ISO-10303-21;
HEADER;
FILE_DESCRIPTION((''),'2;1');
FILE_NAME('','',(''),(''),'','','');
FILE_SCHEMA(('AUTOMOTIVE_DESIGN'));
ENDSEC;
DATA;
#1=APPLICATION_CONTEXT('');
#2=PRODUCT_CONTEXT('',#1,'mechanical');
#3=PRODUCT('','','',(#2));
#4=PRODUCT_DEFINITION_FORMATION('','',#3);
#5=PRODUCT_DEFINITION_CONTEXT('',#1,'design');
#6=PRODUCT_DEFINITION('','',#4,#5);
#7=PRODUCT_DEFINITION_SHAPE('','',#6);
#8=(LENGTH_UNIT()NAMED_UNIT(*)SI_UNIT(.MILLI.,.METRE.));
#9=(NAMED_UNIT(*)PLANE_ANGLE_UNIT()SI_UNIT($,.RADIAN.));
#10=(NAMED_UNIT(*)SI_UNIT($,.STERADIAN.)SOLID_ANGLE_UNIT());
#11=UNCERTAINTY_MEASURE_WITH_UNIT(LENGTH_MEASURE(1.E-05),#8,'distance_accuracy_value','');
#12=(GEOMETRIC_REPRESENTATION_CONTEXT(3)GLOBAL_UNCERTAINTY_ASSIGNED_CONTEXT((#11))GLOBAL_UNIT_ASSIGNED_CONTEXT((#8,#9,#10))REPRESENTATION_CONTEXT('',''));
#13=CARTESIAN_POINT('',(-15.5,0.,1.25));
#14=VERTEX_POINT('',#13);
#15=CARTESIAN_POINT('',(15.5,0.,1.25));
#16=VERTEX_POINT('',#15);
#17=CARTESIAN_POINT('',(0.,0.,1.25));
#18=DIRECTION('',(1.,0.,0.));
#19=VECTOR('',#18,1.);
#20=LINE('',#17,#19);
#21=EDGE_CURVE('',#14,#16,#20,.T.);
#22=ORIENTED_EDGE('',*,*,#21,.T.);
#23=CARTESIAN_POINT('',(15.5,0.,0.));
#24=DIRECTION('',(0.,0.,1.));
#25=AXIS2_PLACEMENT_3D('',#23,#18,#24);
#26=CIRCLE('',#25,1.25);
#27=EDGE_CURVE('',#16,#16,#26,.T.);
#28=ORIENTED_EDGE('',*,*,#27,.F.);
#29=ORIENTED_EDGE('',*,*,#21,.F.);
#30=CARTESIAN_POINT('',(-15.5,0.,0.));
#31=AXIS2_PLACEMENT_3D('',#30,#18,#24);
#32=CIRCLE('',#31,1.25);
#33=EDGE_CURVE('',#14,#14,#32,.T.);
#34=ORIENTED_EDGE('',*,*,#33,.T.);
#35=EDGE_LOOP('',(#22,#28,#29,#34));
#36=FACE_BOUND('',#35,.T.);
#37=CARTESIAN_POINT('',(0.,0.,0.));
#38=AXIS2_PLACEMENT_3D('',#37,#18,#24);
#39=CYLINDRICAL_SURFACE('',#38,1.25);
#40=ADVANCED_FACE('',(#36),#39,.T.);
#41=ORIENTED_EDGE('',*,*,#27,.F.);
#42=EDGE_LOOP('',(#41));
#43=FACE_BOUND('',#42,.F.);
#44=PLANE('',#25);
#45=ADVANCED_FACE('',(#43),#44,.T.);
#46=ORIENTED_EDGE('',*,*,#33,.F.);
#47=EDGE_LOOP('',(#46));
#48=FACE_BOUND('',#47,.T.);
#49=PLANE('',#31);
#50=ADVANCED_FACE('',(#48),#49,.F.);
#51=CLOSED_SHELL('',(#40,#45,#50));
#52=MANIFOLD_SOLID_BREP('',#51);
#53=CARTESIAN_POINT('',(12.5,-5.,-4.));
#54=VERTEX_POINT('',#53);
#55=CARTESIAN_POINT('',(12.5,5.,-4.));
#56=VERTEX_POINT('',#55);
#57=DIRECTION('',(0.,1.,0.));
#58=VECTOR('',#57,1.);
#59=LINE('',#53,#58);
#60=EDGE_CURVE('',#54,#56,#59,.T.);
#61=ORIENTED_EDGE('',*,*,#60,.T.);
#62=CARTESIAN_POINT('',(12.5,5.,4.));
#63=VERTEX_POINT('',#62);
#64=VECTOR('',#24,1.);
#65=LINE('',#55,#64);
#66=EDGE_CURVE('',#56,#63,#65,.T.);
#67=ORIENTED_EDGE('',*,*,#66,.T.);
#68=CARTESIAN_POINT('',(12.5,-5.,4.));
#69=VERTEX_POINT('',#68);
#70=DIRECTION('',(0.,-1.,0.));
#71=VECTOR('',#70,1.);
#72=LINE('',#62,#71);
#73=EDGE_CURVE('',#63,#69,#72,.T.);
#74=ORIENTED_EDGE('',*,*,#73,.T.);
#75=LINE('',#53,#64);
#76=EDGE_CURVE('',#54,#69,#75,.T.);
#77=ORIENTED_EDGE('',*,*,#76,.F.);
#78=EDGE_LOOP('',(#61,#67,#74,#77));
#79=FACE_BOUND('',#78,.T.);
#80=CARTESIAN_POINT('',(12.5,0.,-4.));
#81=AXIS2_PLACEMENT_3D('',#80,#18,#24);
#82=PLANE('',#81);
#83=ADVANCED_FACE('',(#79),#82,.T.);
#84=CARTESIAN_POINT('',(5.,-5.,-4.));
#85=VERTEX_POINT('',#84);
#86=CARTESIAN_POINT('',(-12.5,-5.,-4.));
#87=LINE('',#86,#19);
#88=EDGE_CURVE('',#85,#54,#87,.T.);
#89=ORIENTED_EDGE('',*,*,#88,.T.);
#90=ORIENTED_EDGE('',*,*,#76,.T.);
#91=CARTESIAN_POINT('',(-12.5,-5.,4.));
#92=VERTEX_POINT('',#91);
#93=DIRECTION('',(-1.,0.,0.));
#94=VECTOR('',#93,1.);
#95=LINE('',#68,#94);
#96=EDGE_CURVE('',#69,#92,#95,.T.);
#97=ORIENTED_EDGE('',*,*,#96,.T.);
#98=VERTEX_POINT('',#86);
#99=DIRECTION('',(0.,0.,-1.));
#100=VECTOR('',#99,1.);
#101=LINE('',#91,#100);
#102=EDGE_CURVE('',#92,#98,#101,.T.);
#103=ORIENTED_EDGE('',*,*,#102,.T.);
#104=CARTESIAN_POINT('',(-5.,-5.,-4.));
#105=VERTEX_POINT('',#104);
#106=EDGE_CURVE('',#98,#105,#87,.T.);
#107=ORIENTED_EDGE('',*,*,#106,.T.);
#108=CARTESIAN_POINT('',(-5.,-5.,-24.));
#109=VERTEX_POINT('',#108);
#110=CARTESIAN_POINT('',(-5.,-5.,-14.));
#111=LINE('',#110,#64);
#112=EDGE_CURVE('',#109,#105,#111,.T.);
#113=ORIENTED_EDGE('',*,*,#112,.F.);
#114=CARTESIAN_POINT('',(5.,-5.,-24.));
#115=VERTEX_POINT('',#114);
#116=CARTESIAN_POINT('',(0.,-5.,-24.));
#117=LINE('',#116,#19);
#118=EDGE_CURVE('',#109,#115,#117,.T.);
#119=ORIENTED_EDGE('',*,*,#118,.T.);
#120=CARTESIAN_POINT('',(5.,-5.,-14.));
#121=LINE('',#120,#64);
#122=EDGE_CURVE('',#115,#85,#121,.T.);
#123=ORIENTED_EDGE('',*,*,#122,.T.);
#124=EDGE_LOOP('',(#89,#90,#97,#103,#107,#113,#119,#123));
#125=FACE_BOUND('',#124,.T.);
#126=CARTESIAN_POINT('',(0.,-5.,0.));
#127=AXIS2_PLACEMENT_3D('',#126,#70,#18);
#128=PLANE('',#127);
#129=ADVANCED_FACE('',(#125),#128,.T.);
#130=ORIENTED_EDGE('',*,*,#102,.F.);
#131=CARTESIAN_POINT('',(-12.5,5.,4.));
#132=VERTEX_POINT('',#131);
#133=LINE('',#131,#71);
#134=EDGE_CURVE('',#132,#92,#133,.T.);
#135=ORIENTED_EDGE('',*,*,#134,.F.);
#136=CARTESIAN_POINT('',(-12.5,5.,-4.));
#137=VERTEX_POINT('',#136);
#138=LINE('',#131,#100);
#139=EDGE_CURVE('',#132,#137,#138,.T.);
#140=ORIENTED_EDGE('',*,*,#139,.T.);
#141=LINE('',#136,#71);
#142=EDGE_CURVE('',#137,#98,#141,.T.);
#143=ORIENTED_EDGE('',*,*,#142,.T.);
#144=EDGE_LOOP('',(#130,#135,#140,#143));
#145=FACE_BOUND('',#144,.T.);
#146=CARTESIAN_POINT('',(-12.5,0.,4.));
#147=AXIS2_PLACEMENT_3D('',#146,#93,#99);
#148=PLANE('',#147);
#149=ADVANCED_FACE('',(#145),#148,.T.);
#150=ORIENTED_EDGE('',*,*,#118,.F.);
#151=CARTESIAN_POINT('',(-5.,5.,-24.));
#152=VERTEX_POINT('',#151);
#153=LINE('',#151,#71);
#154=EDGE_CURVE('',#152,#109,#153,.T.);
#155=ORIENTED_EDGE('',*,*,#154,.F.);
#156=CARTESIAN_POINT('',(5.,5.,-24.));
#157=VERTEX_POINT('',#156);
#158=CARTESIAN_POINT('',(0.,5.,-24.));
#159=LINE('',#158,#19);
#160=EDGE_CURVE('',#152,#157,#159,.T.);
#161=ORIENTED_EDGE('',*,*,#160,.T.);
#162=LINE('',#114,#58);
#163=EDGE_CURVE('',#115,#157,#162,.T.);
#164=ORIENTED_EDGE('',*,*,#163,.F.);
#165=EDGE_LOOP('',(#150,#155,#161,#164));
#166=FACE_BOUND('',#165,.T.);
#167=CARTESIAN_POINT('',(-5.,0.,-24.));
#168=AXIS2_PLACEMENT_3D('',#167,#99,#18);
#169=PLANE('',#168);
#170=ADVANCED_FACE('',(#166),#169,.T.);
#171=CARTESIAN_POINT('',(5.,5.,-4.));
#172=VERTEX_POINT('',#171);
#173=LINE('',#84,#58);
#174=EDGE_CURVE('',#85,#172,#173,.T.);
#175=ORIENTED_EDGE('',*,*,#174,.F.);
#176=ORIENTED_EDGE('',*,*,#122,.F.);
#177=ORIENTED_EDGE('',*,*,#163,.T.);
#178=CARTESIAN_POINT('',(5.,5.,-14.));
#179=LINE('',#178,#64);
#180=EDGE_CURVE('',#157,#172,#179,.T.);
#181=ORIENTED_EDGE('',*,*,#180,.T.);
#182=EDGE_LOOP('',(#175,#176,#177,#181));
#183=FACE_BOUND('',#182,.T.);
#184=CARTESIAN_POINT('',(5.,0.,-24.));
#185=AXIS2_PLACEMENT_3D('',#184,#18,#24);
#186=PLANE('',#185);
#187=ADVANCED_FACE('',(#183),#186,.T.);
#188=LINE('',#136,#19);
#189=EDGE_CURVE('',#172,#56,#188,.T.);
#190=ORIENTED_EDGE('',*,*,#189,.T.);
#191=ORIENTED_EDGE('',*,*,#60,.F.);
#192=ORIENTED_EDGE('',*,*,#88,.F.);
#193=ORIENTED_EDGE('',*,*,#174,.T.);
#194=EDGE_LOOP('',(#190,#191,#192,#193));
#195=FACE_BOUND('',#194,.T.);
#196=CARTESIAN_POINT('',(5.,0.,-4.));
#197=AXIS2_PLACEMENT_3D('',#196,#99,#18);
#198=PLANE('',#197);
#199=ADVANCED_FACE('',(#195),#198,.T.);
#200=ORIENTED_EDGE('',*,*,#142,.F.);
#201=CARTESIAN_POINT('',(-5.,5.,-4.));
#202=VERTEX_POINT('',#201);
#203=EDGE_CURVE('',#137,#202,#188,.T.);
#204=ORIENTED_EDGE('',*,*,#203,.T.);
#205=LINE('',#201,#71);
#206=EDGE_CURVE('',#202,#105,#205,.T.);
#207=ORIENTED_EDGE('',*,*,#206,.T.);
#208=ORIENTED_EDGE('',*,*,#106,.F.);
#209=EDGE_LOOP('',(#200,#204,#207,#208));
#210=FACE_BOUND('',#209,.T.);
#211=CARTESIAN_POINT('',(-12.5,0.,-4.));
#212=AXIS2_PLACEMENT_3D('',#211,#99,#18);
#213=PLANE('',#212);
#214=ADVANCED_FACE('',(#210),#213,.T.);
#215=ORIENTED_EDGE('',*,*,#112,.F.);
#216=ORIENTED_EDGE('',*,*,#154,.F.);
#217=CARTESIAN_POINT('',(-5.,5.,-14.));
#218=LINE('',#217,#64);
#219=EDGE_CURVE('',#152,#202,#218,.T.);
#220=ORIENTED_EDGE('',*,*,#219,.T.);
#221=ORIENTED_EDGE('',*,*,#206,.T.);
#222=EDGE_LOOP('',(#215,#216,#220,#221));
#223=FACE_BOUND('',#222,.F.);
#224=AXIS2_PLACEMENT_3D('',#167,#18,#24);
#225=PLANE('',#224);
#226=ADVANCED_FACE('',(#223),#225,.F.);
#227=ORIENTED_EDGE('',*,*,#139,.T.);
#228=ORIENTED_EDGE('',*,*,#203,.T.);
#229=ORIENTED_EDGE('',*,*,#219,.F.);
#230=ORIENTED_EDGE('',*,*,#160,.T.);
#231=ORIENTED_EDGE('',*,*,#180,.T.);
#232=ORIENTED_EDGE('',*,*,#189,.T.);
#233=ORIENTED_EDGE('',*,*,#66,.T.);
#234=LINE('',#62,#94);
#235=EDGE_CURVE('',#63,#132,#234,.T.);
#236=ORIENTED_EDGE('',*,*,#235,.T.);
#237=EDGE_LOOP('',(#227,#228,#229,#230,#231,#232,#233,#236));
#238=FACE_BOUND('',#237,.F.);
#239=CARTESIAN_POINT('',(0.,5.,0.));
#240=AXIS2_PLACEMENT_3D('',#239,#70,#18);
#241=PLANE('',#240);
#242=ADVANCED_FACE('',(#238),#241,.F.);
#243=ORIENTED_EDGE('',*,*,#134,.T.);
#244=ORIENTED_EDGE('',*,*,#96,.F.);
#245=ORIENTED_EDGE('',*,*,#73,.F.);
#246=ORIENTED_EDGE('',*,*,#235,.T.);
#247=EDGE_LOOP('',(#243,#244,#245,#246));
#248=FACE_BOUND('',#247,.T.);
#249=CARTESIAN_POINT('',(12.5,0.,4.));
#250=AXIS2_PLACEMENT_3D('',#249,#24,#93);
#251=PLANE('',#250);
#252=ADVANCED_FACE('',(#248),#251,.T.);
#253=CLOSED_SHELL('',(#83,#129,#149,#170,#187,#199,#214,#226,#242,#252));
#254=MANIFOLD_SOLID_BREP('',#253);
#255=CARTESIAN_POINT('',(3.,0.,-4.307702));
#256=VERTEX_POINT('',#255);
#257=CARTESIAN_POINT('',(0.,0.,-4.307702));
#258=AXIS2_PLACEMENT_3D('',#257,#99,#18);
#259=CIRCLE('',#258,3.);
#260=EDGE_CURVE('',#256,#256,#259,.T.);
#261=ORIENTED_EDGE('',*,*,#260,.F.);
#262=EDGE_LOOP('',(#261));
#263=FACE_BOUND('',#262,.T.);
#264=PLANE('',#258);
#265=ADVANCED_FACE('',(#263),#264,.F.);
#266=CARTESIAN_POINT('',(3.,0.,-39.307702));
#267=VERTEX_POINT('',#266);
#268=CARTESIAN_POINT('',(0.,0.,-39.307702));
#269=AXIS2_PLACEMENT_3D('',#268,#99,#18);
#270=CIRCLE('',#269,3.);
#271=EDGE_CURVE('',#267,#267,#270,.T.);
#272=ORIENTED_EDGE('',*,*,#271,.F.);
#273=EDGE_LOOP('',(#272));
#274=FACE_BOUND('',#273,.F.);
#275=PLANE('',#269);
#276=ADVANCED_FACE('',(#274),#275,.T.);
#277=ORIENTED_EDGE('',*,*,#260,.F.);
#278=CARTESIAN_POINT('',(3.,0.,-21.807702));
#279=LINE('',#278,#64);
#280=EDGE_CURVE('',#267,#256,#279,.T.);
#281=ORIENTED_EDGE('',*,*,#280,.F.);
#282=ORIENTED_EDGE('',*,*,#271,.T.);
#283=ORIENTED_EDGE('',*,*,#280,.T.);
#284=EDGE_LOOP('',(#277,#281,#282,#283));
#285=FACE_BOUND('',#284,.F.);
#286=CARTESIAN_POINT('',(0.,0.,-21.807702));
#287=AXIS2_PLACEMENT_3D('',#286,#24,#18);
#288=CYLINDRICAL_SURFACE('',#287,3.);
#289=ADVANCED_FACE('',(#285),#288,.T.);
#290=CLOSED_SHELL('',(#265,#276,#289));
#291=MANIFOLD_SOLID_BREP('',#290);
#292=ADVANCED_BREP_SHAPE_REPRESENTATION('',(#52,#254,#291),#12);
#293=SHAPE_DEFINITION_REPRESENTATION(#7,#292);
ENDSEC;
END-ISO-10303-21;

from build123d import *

# Parameters (mm, degrees)
F0_W     = 3
F0_H     = 35
F2_W     = 31
F2_H     = 1.25
F4_W     = 10
F4_H     = 20
F5_DEPTH = 5


with BuildPart() as f1:
    # F0 (on Front) → F1 (revolve)
    with BuildSketch(Plane.XZ):
        with Locations((1.5, -21.807702)):
            Rectangle(F0_W, F0_H)
    revolve(axis=Axis((0, 0, -11.000003), (0, 0, -1)))


with BuildPart() as f3:
    # F2 (on Front) → F3 (revolve)
    with BuildSketch(Plane.XZ):
        with Locations((0, 0.625)):
            Rectangle(F2_W, F2_H)
    revolve(axis=Axis((-2.146152, 0, 0), (1, 0, 0)))


with BuildPart() as f5:
    # F4 (on Front) → F5 (new body, symmetric)
    with BuildSketch(Plane.XZ):
        Polygon((12.5, -4), (12.5, 4), (-12.5, 4), (-12.5, -4), (-5, -4), (5, -4), align=None)
        with Locations((0, -14)):
            Rectangle(F4_W, F4_H)
    extrude(amount=F5_DEPTH, both=True)


solid = Compound([f1.part, f3.part, f5.part])
